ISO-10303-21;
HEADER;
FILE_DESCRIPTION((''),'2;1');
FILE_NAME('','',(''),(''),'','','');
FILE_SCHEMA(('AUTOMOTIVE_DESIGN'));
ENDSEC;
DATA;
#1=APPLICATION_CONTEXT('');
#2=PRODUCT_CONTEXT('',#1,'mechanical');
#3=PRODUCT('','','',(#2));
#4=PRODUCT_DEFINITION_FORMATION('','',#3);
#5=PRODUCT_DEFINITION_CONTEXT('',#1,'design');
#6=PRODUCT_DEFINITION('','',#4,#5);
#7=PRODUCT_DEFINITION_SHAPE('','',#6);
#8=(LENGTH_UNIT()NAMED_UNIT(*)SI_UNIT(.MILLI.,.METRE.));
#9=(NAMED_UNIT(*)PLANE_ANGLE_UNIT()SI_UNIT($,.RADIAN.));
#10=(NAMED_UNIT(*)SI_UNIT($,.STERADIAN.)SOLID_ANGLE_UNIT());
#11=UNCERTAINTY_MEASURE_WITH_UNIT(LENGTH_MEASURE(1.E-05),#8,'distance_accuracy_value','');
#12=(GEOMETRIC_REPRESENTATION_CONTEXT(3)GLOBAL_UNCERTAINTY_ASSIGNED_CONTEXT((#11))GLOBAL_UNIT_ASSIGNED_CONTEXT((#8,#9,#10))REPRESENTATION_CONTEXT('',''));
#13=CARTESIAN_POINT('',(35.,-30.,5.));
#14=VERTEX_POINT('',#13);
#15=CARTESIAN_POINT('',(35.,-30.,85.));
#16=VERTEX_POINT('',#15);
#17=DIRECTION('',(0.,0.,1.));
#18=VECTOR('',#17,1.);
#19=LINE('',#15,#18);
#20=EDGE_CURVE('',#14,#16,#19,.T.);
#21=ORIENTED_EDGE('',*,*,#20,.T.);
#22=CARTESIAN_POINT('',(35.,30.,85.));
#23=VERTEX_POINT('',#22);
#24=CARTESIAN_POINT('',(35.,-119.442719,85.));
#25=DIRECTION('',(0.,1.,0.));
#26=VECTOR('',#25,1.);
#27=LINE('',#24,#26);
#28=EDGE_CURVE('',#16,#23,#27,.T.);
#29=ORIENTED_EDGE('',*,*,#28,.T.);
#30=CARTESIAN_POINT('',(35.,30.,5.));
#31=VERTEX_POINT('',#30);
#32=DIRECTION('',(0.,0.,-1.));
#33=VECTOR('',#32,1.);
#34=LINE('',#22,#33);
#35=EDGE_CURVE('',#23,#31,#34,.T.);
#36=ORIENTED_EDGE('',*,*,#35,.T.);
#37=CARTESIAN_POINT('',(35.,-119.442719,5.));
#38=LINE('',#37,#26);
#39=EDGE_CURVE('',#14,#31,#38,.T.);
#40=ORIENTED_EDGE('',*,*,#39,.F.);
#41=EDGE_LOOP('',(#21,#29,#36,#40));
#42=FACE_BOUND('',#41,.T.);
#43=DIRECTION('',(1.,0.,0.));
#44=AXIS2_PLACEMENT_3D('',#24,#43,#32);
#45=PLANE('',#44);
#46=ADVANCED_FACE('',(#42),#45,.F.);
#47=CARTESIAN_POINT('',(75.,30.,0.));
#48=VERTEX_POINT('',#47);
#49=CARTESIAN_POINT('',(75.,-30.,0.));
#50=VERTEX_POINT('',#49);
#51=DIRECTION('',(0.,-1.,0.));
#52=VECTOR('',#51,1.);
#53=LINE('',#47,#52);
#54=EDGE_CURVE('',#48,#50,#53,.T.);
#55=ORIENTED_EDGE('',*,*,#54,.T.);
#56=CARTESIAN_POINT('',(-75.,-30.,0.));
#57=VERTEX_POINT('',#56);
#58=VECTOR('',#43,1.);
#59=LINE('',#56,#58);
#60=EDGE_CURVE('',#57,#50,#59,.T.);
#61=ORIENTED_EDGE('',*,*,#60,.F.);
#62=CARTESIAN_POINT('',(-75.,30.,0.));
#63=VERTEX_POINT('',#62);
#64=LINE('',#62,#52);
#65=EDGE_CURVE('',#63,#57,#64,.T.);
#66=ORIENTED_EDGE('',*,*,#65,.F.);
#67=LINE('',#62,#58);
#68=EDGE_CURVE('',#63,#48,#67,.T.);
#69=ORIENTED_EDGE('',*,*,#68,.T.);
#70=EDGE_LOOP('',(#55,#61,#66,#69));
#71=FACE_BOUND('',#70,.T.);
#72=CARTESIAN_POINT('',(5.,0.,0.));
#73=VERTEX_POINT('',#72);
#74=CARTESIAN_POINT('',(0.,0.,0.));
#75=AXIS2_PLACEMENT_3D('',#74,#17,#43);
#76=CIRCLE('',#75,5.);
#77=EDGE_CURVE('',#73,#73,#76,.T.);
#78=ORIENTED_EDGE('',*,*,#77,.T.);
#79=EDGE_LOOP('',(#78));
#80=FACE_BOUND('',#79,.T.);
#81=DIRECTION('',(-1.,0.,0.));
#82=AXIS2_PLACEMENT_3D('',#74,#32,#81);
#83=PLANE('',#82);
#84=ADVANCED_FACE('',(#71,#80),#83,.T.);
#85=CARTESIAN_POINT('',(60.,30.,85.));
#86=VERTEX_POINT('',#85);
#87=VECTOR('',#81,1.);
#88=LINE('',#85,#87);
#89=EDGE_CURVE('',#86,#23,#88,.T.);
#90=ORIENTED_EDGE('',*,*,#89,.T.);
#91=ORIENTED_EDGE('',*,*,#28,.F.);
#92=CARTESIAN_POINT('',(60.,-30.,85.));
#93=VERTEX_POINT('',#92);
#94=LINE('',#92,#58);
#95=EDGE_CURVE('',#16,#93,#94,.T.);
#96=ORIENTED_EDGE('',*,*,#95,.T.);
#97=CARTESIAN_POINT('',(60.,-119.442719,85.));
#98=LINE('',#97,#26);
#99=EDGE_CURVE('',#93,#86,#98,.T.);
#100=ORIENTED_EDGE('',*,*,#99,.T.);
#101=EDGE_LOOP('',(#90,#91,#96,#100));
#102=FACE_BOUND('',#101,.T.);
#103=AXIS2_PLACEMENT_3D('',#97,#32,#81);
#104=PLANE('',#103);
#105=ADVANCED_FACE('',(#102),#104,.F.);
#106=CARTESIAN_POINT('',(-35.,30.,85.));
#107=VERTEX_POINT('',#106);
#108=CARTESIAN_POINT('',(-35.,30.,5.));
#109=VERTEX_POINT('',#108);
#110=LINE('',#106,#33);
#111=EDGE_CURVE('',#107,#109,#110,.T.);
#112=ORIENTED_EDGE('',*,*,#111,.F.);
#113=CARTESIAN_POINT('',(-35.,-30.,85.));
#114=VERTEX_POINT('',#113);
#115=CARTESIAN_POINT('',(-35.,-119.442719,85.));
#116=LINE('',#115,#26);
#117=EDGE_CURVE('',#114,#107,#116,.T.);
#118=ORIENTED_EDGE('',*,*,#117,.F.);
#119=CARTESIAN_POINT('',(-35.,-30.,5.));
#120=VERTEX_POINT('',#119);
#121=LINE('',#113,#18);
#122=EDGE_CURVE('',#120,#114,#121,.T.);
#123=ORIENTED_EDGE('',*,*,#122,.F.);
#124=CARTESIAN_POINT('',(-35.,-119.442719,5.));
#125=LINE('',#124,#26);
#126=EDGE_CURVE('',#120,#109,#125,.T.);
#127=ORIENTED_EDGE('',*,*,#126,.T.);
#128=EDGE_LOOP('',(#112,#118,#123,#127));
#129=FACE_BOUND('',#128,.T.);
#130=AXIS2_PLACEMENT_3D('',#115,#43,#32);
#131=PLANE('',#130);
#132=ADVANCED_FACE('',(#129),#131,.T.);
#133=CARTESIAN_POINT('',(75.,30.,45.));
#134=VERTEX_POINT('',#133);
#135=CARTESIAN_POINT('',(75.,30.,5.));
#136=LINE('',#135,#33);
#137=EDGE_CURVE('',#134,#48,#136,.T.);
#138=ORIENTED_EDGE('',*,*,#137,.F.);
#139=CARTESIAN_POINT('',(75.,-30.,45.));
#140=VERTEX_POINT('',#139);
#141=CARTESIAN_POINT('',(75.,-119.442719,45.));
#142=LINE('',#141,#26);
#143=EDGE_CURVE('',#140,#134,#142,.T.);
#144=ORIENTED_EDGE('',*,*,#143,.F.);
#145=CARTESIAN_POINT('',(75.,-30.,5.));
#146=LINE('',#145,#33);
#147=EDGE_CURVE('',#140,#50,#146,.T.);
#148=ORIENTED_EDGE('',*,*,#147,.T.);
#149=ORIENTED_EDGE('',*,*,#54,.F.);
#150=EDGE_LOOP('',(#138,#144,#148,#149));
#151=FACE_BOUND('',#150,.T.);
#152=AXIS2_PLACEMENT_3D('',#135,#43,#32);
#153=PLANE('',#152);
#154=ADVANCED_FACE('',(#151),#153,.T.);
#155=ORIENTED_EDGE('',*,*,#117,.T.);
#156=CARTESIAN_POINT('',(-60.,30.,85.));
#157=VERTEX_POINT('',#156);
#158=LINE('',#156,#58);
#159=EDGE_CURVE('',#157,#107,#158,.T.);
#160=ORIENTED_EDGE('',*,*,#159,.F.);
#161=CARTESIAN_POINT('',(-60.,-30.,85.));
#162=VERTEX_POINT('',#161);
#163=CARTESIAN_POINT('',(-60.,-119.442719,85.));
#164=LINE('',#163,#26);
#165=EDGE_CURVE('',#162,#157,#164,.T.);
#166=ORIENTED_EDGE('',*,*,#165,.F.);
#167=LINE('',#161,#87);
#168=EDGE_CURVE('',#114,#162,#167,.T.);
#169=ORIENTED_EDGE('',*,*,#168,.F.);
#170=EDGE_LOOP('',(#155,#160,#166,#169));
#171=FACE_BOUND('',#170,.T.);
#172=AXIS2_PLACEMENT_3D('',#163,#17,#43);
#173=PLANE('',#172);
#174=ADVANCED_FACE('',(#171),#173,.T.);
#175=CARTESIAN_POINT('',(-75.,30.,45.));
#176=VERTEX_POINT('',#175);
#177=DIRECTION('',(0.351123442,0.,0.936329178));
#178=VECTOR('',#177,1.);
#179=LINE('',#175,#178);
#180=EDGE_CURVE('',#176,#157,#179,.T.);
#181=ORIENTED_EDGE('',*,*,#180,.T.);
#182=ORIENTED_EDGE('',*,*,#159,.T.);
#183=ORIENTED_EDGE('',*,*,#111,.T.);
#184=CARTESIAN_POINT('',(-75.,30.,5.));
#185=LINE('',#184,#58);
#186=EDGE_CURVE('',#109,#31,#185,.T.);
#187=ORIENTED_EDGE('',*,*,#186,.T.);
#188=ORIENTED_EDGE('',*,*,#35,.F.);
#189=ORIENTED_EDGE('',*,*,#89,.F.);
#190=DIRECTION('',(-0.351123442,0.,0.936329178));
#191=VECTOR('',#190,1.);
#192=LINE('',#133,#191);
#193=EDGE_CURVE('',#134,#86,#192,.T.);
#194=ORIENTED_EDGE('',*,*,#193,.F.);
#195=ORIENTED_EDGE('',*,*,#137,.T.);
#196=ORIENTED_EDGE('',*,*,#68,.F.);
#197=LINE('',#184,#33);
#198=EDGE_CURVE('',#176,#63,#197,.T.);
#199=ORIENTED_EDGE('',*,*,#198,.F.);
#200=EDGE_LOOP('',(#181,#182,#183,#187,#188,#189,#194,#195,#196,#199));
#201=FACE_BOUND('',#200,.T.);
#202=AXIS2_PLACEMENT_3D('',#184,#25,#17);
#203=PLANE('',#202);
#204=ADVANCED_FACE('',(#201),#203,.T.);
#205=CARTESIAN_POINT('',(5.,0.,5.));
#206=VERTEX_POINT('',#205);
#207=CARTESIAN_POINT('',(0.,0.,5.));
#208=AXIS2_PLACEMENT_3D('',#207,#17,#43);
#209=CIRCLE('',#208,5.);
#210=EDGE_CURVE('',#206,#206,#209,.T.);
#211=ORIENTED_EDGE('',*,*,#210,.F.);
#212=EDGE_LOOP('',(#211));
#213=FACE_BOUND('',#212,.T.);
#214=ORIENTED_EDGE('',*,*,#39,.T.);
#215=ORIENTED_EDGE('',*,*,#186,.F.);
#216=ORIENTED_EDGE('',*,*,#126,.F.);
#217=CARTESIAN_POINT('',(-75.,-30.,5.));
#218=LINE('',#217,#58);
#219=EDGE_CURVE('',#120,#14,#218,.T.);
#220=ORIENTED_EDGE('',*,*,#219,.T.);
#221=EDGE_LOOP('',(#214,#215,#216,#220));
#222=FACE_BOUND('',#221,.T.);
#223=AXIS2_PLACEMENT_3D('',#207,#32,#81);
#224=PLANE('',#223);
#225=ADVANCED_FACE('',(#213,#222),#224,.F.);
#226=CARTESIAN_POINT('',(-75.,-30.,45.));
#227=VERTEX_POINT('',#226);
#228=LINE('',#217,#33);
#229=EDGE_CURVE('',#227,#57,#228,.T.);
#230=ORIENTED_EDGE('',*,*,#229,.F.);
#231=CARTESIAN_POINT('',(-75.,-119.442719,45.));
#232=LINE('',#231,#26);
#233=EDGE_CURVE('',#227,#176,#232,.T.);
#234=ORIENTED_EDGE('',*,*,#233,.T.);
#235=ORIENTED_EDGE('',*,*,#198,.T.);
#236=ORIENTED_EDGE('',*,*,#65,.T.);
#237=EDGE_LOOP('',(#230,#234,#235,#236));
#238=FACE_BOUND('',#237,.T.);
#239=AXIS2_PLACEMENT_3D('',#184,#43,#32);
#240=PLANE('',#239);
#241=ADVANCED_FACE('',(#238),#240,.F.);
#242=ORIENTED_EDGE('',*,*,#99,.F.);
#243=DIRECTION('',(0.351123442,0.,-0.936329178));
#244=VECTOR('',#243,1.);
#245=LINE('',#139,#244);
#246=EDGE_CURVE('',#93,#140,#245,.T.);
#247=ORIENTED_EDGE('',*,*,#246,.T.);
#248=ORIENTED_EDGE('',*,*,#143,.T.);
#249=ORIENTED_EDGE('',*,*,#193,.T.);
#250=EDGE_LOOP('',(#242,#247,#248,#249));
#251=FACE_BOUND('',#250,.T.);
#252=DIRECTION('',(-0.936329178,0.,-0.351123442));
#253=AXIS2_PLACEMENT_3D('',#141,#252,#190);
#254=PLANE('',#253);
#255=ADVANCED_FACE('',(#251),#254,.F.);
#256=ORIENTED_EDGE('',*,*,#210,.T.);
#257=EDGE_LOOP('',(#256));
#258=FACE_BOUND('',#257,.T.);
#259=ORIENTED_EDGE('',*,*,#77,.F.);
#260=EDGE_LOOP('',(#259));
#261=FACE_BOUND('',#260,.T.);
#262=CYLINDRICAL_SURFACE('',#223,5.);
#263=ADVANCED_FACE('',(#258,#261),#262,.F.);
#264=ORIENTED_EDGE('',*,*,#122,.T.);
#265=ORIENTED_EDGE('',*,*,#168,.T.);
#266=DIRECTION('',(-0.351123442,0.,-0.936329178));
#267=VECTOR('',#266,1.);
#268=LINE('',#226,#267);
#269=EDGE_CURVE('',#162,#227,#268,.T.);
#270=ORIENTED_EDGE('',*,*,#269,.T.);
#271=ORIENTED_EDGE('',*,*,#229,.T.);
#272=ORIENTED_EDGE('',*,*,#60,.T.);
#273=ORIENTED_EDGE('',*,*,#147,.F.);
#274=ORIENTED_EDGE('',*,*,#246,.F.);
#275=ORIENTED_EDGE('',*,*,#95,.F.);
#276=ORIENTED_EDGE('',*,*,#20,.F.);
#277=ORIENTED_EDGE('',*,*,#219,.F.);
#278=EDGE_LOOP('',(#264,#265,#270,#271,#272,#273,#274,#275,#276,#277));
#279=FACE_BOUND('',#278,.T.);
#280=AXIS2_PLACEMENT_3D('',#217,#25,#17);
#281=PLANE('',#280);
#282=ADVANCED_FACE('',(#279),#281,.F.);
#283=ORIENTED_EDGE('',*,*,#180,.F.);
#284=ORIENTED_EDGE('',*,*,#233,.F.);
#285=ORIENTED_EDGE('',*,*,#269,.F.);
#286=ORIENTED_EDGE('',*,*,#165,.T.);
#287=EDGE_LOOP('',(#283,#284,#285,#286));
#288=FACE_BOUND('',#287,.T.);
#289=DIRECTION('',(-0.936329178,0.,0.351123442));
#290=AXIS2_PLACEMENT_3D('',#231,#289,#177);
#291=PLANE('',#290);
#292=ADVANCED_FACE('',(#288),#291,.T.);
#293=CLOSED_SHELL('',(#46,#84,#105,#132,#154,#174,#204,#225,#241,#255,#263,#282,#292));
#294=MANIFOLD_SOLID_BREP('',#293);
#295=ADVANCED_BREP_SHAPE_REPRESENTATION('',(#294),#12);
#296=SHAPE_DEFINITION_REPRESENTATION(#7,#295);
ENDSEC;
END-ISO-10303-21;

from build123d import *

# Parameters (mm, degrees)
SKETCH1_W           = 150
SKETCH1_H           = 60
SKETCH1_R           = 5
BOSS_EXTRUDE1_DEPTH = 5
BOSS_EXTRUDE2_DEPTH = 60


with BuildPart() as part:
    # Sketch1 → Boss-Extrude1 (new body)
    with BuildSketch(Plane.XY):
        Rectangle(SKETCH1_W, SKETCH1_H)
        Circle(SKETCH1_R, mode=Mode.SUBTRACT)
    extrude(amount=BOSS_EXTRUDE1_DEPTH)

    # Sketch2 → Boss-Extrude2 (add)
    with BuildSketch(Plane(origin=(0, 30, 0), x_dir=(1, 0, 0), z_dir=(0, 1, 0))):
        Polygon((-35, -85), (-35, -5), (-75, -5), (-75, -45), (-60, -85), align=None)
    boss_extrude2 = extrude(amount=-BOSS_EXTRUDE2_DEPTH)

    # Mirror1: Boss-Extrude2 across plane
    add(boss_extrude2.mirror(Plane(origin=(0, 0, 0), x_dir=(0, 0, 1), z_dir=(1, 0, 0))))


solid = part.part
